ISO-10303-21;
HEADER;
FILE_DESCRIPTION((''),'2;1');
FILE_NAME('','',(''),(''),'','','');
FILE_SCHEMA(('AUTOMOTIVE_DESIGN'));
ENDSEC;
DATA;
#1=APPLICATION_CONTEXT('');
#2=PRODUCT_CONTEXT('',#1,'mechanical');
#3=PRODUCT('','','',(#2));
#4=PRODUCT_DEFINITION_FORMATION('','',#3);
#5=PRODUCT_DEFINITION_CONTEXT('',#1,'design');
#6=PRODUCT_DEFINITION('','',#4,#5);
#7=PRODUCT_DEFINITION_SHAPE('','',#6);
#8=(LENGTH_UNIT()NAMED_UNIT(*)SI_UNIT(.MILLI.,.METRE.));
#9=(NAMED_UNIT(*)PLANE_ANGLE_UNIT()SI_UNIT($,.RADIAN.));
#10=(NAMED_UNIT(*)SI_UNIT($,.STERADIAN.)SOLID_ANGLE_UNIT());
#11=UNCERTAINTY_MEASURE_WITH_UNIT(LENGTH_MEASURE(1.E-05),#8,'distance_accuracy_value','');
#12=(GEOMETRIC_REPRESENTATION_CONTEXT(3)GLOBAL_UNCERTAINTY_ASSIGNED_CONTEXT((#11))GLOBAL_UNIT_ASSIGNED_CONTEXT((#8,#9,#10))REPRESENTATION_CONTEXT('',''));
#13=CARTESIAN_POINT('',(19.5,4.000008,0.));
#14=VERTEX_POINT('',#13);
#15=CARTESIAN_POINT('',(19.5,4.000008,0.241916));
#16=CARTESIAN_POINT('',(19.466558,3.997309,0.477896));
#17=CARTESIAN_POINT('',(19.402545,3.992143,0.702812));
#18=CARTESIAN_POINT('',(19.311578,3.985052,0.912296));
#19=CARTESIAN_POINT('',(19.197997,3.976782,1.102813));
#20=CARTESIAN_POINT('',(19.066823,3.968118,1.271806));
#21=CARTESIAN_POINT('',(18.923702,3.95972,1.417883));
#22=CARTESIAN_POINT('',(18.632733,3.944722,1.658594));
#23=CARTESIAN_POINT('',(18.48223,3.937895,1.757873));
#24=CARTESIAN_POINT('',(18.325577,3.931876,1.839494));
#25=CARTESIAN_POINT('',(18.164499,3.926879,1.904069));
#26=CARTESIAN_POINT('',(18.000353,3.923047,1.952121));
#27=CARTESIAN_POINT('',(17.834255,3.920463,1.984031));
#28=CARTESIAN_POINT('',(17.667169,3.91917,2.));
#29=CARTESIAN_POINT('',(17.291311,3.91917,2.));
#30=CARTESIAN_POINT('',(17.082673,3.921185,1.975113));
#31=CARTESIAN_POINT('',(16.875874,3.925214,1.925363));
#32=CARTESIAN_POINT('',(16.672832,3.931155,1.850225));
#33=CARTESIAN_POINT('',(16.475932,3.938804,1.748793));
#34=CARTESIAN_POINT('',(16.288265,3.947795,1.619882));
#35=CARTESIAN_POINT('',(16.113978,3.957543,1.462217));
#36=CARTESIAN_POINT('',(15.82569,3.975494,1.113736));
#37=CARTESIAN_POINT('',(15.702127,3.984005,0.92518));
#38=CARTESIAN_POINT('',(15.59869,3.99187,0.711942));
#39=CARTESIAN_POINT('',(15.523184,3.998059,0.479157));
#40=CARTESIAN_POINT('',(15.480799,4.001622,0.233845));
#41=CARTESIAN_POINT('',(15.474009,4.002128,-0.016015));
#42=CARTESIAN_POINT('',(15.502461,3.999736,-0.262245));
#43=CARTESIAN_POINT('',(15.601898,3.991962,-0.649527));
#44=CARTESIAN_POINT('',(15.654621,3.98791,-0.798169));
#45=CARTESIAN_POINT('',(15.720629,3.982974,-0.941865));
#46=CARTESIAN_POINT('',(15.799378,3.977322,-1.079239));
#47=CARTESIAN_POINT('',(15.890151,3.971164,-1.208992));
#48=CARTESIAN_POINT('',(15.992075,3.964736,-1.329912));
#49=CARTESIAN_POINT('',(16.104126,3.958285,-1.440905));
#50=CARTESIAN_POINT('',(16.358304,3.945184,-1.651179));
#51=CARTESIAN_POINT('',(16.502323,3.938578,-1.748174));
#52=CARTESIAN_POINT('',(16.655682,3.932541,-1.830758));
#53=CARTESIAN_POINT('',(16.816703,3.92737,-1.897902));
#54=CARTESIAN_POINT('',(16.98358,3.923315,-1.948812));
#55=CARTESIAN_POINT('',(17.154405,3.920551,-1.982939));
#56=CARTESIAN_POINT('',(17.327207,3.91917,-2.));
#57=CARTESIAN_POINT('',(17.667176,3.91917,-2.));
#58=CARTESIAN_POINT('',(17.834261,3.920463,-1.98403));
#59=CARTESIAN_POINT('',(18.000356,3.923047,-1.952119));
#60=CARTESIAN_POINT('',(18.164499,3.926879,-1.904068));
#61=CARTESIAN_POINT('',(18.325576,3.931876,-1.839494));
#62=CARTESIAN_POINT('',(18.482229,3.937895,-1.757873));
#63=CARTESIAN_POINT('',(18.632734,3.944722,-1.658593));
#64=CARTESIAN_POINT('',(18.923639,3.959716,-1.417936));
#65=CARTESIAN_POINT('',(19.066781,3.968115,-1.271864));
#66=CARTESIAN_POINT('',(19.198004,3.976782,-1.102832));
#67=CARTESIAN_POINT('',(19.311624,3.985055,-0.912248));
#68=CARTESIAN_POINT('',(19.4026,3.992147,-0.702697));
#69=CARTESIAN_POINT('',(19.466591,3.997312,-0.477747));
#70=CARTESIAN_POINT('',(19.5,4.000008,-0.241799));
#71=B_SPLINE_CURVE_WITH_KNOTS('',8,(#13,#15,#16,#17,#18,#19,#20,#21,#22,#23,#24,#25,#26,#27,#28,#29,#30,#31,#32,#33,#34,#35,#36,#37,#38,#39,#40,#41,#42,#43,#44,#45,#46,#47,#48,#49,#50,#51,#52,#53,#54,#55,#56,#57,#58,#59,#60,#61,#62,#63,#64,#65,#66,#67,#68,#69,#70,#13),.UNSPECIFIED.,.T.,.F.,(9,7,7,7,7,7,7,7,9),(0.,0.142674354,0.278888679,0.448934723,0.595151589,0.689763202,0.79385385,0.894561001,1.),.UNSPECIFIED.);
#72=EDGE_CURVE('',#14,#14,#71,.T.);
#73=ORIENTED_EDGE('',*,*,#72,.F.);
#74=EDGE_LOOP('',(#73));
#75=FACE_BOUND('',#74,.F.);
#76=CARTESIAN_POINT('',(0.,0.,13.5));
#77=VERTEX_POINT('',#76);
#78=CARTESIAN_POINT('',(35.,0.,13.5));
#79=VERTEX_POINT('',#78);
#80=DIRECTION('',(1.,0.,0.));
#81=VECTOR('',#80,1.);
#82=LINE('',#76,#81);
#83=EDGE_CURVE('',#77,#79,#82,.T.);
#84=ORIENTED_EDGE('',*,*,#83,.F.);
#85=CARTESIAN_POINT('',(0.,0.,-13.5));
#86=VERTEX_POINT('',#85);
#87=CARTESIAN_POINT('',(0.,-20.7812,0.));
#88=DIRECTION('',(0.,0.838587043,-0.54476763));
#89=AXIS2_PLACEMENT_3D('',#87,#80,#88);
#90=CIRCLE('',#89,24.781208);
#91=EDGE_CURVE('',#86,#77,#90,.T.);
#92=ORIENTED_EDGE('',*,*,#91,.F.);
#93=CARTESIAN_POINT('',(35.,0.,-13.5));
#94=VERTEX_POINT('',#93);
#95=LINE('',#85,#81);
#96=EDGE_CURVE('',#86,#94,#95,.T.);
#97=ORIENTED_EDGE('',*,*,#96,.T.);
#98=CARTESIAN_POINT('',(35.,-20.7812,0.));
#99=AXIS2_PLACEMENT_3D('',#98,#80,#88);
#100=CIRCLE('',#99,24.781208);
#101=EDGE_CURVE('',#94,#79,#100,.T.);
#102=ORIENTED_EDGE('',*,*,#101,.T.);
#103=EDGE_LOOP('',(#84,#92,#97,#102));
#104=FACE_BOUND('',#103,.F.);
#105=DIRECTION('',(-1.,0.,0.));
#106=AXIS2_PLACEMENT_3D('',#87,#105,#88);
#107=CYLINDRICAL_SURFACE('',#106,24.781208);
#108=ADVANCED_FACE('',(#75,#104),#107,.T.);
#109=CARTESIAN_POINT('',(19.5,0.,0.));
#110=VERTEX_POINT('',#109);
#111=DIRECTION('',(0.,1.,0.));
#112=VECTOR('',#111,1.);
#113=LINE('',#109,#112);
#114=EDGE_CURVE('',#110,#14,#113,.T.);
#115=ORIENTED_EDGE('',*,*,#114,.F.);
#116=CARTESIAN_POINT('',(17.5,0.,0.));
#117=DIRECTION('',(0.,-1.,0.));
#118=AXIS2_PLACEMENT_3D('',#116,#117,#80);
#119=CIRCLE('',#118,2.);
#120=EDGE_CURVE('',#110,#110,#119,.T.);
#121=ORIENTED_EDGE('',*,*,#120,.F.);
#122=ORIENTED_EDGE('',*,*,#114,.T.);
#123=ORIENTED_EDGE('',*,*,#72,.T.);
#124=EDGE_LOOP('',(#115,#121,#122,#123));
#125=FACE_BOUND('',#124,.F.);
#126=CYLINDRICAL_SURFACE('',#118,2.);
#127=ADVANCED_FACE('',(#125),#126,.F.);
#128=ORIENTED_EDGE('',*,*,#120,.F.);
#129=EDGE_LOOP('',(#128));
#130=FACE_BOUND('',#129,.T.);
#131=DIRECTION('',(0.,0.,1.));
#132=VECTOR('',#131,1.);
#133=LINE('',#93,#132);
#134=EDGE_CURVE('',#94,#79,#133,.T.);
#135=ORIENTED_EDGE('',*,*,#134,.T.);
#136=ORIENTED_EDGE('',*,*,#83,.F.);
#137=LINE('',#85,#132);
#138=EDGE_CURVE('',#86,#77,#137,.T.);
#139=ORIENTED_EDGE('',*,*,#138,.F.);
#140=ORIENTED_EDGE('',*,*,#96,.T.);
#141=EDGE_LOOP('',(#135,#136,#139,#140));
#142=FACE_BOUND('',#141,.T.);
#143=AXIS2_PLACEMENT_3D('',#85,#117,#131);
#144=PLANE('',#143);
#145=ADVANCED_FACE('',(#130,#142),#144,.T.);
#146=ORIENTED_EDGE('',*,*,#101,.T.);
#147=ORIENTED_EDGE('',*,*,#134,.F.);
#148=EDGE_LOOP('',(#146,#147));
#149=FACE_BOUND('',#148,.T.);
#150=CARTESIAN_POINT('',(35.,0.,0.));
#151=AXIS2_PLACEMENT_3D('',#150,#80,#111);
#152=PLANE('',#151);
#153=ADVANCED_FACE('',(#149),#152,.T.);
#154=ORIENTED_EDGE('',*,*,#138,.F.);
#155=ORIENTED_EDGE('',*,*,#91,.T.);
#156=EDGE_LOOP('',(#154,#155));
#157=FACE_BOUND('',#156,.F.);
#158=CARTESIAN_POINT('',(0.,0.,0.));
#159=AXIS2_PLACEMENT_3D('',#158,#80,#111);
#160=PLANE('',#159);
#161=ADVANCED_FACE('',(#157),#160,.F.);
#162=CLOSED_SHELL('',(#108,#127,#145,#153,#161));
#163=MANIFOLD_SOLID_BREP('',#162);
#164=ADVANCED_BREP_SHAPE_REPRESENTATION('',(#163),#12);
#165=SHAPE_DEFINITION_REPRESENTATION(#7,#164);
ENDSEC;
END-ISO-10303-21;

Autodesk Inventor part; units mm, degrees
ref_plane "YZ Plane" through (0, 0, 0) normal (1, 0, 0) x (0, 1, 0)
ref_plane "XZ Plane" through (0, 0, 0) normal (0, 1, 0) x (-1, 0, 0)
ref_plane "XY Plane" through (0, 0, 0) normal (0, 0, 1) x (1, 0, 0)
sketch "Arc Extrusion" plane through (0, 0, 0) normal (1, 0, 0) x (0, 1, 0)
  line L0 (0, -13.5) -> (0, 13.5)
  arc A0 (0, -13.5) -> (0, 13.5) centre (-20.7812, 0) ccw
  point P0 (0, 0)
  point P1 (4, 0)
  dimension "d5" = 27
  dimension "d6" = 4
extrude "Main Arc Extrusion" add sketch "Arc Extrusion" along normal blind 35
sketch "Hole Sketch" plane through (0, 0, -13.5) normal (0, -1, 0) x (1, 0, 0)
  circle A0 centre (17.5, 13.5) radius 2
  line L0 (35, 27) -> (35, 0) projected
  line L1 (0, 27) -> (35, 27) projected
  line L2 (0, 0) -> (35, 0) projected
  point P0 (0, 13.5)
  dimension "d9" = 4
  dimension "d10" = 17.5
  dimension "d11" = 17.5
  dimension "d12" = 13.5
  dimension "d13" = 13.5
extrude "Extrusion2" cut sketch "Hole Sketch" against normal through all
properties part number "Braket Top V2"
